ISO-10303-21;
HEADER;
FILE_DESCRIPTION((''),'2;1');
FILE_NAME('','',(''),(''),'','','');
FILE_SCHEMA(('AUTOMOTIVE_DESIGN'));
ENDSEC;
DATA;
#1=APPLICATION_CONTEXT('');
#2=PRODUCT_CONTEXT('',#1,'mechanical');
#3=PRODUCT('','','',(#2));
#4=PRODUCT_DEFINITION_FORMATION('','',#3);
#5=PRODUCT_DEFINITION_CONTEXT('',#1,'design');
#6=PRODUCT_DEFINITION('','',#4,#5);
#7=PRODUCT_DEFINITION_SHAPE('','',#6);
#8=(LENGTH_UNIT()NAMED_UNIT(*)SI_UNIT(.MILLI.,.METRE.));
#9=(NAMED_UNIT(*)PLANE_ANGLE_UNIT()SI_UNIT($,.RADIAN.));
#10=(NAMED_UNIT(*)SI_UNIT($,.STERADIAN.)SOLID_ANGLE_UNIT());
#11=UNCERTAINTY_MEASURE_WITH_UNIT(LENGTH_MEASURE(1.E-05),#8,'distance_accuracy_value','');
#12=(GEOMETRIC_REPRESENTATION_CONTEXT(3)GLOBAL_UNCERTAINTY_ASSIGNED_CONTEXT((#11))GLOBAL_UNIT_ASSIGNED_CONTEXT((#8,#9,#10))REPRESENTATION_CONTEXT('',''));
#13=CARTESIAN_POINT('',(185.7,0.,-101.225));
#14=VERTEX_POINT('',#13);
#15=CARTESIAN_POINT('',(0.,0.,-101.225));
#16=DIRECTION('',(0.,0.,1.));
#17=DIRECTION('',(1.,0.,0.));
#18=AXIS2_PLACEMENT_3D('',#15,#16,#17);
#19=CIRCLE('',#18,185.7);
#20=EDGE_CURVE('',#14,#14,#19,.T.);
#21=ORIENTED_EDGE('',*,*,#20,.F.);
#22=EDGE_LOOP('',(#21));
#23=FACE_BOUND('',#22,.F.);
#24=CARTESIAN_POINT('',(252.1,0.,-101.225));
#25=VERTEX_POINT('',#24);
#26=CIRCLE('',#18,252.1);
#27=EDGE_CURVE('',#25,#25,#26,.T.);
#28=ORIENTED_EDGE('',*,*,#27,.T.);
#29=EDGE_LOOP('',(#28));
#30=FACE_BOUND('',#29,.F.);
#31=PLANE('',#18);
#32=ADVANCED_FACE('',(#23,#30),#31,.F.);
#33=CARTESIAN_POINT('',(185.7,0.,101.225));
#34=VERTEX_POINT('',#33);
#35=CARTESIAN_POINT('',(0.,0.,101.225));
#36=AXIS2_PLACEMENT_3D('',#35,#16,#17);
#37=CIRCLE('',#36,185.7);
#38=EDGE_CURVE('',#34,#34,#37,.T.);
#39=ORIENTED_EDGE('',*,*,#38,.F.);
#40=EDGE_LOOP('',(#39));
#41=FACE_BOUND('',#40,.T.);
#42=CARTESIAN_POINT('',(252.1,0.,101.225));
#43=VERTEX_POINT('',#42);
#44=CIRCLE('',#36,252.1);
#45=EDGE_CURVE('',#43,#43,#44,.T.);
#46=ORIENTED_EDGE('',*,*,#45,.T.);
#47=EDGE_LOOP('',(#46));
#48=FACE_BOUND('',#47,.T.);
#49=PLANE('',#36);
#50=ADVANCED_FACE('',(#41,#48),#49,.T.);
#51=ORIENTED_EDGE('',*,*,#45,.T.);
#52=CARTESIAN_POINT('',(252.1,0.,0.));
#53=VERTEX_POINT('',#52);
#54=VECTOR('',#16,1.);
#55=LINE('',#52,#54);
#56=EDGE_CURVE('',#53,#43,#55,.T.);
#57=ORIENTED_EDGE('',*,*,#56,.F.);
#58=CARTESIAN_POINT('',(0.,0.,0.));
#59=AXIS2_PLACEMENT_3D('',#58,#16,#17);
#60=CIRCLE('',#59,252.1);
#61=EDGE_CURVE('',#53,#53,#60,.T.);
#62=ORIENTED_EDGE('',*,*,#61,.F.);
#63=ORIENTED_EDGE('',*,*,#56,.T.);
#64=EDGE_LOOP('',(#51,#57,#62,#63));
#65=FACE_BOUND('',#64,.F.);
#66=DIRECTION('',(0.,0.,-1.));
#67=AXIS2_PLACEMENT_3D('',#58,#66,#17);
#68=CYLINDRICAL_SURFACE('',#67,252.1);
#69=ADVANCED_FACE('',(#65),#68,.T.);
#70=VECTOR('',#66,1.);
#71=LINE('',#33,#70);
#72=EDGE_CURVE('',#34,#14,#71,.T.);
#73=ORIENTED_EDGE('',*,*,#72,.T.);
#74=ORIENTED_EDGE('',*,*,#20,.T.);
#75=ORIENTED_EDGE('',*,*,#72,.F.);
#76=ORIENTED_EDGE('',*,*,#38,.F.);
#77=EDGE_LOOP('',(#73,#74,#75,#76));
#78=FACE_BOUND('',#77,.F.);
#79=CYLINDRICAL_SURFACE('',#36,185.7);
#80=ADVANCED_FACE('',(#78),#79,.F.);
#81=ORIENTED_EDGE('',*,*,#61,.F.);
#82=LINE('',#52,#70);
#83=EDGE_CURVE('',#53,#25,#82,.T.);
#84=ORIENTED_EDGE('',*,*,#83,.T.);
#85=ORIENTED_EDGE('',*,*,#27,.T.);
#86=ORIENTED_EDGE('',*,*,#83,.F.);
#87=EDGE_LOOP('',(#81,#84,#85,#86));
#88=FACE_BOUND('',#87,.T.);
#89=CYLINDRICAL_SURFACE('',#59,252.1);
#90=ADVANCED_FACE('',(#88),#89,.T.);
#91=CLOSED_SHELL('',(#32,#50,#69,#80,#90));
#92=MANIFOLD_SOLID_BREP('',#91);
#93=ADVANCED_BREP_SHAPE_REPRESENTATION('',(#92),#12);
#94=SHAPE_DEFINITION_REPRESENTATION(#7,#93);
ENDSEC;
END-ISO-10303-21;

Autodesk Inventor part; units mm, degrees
ref_plane "YZ Plane" through (0, 0, 0) normal (1, 0, 0) x (0, 1, 0)
ref_plane "XZ Plane" through (0, 0, 0) normal (0, 1, 0) x (-1, 0, 0)
ref_plane "XY Plane" through (0, 0, 0) normal (0, 0, 1) x (1, 0, 0)
sketch "Sketch1" plane through (0, 0, 0) normal (0, 0, 1) x (1, 0, 0)
  circle A0 centre (0, 0) radius 252.1
  dimension "d0" = 504.2
extrude "Extrusion1" add sketch "Sketch1" along normal mid plane 202.45
sketch "Sketch2" plane through (0, 0, 101.225) normal (0, 0, 1) x (1, 0, 0)
  circle A0 centre (0, 0) radius 185.7
  dimension "d3" = 371.4
extrude "Extrusion2" cut sketch "Sketch2" against normal through all
properties part number "ALPHA-II-T4"
